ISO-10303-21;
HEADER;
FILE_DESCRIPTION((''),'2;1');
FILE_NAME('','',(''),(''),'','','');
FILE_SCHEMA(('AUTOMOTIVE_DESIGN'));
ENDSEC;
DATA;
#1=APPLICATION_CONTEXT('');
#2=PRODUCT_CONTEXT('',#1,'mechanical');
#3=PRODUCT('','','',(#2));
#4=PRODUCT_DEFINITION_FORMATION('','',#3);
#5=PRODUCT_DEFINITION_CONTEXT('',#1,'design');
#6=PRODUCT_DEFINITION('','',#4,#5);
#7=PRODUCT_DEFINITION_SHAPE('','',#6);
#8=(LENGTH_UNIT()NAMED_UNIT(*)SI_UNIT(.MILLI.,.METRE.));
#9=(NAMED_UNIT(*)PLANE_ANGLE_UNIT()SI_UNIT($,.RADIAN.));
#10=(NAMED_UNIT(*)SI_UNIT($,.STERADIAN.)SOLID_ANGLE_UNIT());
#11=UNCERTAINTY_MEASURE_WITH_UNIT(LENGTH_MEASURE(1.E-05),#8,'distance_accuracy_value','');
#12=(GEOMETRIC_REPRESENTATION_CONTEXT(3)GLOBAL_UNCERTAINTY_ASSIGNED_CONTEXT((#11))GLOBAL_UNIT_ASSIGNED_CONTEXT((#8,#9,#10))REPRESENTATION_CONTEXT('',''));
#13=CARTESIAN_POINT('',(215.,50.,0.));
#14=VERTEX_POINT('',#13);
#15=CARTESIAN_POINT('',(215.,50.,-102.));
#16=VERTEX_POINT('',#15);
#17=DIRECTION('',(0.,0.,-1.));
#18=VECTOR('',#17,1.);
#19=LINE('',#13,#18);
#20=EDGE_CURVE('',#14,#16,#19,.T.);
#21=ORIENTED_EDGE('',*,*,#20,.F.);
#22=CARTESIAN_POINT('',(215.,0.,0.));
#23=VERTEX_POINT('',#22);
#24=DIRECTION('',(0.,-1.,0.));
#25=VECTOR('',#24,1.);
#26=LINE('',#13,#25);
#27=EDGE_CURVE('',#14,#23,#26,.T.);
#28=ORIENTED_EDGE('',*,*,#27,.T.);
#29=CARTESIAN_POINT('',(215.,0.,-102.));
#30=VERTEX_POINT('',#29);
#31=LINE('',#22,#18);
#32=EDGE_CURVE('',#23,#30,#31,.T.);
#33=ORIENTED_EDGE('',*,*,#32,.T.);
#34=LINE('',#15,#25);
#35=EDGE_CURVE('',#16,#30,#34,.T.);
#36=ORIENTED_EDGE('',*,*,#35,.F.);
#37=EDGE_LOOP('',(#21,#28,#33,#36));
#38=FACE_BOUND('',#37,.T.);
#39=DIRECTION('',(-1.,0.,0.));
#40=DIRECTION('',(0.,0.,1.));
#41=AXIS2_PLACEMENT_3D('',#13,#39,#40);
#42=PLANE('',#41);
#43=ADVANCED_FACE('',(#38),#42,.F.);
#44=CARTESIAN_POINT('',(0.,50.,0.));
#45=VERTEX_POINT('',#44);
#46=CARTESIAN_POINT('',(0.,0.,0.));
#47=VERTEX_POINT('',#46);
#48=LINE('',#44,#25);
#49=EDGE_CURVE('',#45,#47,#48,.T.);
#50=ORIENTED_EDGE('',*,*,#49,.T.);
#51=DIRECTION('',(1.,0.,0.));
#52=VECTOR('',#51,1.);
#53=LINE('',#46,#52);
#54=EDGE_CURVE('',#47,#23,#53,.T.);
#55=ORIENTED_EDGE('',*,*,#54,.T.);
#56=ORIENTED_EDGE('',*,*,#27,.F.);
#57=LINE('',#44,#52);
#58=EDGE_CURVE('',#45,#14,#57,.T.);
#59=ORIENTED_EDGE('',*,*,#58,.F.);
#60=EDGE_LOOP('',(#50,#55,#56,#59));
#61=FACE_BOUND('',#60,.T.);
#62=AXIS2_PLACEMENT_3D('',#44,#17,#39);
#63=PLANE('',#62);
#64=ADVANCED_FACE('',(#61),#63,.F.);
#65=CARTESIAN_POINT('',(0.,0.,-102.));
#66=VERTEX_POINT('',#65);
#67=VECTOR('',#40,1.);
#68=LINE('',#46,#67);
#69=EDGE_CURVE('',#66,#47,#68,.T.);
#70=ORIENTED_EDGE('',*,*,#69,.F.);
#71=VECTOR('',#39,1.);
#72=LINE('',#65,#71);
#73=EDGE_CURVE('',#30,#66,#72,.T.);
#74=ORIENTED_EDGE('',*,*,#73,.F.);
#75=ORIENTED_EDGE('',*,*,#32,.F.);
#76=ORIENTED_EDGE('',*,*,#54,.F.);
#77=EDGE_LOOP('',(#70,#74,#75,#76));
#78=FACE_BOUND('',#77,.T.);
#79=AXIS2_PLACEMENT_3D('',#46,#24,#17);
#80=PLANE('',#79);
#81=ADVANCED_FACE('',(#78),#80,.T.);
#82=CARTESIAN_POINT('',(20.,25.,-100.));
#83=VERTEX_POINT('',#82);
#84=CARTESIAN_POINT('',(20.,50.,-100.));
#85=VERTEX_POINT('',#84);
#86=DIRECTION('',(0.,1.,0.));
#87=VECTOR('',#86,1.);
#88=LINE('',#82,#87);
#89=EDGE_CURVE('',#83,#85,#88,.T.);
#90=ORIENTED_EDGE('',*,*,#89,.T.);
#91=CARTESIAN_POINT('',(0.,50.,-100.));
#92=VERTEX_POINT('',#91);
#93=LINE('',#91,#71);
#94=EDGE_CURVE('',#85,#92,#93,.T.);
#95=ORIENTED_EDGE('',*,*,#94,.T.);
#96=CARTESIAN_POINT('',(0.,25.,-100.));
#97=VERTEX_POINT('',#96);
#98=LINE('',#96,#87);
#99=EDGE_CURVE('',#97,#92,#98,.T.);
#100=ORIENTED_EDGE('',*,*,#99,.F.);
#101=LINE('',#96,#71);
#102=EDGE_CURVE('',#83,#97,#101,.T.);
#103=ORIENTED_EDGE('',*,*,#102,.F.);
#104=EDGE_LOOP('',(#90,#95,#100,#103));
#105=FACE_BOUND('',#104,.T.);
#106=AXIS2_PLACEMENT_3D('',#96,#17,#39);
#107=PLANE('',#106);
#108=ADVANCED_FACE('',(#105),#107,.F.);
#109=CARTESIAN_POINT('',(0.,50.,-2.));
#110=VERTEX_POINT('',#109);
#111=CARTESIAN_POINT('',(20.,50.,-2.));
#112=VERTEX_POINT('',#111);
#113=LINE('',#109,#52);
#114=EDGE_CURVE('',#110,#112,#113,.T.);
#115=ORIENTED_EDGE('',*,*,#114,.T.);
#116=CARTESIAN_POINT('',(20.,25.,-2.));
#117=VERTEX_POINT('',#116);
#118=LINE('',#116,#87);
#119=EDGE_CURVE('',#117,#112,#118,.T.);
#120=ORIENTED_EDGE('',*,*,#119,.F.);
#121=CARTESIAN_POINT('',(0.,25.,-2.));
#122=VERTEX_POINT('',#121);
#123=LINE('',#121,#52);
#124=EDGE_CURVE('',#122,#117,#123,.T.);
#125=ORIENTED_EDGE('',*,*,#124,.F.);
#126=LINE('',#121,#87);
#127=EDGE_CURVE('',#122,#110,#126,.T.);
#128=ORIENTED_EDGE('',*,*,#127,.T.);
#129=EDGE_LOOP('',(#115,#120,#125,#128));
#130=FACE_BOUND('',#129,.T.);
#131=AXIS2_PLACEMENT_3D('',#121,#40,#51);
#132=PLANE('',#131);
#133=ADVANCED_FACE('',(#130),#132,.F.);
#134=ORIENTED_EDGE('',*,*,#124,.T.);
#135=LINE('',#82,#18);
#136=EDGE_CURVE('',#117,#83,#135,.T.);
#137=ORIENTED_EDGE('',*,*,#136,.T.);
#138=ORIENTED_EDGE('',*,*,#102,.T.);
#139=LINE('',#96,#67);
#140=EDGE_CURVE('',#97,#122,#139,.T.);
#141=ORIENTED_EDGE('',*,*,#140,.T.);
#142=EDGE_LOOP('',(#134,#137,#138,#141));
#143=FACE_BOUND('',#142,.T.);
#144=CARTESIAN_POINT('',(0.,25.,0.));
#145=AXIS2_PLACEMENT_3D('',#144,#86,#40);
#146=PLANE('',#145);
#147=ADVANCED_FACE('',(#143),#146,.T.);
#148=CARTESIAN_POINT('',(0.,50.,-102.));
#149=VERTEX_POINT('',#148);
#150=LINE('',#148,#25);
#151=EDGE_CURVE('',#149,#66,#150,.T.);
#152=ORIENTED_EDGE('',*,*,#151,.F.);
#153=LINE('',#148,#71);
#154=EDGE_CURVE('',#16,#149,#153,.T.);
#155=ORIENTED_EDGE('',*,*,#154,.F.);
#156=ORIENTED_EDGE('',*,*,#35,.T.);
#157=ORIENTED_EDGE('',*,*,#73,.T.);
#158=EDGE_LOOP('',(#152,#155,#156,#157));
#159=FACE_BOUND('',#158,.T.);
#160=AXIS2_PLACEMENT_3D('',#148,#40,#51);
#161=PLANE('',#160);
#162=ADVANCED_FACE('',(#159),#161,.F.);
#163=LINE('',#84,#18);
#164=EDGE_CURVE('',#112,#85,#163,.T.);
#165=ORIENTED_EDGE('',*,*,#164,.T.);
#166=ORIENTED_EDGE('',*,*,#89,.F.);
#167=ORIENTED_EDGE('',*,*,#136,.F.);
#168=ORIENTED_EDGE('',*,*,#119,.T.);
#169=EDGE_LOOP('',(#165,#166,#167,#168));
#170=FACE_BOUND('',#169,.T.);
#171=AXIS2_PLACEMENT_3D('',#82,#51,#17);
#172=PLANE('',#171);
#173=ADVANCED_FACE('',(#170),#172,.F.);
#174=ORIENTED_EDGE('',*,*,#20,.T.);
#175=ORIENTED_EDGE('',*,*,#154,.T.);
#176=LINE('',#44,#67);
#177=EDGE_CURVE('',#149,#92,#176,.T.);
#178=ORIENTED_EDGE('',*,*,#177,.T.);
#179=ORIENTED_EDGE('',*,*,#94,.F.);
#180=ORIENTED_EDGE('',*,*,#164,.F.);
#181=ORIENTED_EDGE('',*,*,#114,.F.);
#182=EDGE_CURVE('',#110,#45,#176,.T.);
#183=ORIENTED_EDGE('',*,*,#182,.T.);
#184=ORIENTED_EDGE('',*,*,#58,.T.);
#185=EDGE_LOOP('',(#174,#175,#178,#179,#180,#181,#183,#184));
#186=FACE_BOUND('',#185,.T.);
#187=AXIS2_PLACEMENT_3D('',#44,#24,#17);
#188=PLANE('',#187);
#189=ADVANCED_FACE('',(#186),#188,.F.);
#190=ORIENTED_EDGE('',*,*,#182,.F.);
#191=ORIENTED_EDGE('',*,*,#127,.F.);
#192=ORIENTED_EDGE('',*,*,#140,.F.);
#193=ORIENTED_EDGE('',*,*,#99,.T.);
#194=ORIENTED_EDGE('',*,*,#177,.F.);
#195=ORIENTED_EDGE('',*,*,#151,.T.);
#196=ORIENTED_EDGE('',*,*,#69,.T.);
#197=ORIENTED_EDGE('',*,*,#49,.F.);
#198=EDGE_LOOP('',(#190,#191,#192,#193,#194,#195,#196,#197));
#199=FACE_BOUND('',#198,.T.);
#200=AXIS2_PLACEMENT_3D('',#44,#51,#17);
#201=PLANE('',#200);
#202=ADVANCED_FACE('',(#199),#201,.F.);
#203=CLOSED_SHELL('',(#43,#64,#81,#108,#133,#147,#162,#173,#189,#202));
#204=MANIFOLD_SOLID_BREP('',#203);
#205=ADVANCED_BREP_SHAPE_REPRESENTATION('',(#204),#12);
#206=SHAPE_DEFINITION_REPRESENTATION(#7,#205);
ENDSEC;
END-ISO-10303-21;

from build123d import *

# Parameters (mm, degrees)
SKETCH1_W           = 215
SKETCH1_H           = 102
BOSS_EXTRUDE1_DEPTH = 50
SKETCH2_W           = 20
SKETCH2_H           = 98
CUT_EXTRUDE1_DEPTH  = 25


with BuildPart() as part:
    # Sketch1 → Boss-Extrude1 (new body)
    with BuildSketch(Plane(origin=(0, 0, 0), x_dir=(1, 0, 0), z_dir=(0, 1, 0))):
        with Locations((107.5, 51)):
            Rectangle(SKETCH1_W, SKETCH1_H)
    extrude(amount=BOSS_EXTRUDE1_DEPTH)

    # Sketch2 → Cut-Extrude1 (cut)
    with BuildSketch(Plane(origin=(0, 50, 0), x_dir=(1, 0, 0), z_dir=(0, 1, 0))):
        with Locations((10, 51)):
            Rectangle(SKETCH2_W, SKETCH2_H)
    extrude(amount=-CUT_EXTRUDE1_DEPTH, mode=Mode.SUBTRACT)


solid = part.part
